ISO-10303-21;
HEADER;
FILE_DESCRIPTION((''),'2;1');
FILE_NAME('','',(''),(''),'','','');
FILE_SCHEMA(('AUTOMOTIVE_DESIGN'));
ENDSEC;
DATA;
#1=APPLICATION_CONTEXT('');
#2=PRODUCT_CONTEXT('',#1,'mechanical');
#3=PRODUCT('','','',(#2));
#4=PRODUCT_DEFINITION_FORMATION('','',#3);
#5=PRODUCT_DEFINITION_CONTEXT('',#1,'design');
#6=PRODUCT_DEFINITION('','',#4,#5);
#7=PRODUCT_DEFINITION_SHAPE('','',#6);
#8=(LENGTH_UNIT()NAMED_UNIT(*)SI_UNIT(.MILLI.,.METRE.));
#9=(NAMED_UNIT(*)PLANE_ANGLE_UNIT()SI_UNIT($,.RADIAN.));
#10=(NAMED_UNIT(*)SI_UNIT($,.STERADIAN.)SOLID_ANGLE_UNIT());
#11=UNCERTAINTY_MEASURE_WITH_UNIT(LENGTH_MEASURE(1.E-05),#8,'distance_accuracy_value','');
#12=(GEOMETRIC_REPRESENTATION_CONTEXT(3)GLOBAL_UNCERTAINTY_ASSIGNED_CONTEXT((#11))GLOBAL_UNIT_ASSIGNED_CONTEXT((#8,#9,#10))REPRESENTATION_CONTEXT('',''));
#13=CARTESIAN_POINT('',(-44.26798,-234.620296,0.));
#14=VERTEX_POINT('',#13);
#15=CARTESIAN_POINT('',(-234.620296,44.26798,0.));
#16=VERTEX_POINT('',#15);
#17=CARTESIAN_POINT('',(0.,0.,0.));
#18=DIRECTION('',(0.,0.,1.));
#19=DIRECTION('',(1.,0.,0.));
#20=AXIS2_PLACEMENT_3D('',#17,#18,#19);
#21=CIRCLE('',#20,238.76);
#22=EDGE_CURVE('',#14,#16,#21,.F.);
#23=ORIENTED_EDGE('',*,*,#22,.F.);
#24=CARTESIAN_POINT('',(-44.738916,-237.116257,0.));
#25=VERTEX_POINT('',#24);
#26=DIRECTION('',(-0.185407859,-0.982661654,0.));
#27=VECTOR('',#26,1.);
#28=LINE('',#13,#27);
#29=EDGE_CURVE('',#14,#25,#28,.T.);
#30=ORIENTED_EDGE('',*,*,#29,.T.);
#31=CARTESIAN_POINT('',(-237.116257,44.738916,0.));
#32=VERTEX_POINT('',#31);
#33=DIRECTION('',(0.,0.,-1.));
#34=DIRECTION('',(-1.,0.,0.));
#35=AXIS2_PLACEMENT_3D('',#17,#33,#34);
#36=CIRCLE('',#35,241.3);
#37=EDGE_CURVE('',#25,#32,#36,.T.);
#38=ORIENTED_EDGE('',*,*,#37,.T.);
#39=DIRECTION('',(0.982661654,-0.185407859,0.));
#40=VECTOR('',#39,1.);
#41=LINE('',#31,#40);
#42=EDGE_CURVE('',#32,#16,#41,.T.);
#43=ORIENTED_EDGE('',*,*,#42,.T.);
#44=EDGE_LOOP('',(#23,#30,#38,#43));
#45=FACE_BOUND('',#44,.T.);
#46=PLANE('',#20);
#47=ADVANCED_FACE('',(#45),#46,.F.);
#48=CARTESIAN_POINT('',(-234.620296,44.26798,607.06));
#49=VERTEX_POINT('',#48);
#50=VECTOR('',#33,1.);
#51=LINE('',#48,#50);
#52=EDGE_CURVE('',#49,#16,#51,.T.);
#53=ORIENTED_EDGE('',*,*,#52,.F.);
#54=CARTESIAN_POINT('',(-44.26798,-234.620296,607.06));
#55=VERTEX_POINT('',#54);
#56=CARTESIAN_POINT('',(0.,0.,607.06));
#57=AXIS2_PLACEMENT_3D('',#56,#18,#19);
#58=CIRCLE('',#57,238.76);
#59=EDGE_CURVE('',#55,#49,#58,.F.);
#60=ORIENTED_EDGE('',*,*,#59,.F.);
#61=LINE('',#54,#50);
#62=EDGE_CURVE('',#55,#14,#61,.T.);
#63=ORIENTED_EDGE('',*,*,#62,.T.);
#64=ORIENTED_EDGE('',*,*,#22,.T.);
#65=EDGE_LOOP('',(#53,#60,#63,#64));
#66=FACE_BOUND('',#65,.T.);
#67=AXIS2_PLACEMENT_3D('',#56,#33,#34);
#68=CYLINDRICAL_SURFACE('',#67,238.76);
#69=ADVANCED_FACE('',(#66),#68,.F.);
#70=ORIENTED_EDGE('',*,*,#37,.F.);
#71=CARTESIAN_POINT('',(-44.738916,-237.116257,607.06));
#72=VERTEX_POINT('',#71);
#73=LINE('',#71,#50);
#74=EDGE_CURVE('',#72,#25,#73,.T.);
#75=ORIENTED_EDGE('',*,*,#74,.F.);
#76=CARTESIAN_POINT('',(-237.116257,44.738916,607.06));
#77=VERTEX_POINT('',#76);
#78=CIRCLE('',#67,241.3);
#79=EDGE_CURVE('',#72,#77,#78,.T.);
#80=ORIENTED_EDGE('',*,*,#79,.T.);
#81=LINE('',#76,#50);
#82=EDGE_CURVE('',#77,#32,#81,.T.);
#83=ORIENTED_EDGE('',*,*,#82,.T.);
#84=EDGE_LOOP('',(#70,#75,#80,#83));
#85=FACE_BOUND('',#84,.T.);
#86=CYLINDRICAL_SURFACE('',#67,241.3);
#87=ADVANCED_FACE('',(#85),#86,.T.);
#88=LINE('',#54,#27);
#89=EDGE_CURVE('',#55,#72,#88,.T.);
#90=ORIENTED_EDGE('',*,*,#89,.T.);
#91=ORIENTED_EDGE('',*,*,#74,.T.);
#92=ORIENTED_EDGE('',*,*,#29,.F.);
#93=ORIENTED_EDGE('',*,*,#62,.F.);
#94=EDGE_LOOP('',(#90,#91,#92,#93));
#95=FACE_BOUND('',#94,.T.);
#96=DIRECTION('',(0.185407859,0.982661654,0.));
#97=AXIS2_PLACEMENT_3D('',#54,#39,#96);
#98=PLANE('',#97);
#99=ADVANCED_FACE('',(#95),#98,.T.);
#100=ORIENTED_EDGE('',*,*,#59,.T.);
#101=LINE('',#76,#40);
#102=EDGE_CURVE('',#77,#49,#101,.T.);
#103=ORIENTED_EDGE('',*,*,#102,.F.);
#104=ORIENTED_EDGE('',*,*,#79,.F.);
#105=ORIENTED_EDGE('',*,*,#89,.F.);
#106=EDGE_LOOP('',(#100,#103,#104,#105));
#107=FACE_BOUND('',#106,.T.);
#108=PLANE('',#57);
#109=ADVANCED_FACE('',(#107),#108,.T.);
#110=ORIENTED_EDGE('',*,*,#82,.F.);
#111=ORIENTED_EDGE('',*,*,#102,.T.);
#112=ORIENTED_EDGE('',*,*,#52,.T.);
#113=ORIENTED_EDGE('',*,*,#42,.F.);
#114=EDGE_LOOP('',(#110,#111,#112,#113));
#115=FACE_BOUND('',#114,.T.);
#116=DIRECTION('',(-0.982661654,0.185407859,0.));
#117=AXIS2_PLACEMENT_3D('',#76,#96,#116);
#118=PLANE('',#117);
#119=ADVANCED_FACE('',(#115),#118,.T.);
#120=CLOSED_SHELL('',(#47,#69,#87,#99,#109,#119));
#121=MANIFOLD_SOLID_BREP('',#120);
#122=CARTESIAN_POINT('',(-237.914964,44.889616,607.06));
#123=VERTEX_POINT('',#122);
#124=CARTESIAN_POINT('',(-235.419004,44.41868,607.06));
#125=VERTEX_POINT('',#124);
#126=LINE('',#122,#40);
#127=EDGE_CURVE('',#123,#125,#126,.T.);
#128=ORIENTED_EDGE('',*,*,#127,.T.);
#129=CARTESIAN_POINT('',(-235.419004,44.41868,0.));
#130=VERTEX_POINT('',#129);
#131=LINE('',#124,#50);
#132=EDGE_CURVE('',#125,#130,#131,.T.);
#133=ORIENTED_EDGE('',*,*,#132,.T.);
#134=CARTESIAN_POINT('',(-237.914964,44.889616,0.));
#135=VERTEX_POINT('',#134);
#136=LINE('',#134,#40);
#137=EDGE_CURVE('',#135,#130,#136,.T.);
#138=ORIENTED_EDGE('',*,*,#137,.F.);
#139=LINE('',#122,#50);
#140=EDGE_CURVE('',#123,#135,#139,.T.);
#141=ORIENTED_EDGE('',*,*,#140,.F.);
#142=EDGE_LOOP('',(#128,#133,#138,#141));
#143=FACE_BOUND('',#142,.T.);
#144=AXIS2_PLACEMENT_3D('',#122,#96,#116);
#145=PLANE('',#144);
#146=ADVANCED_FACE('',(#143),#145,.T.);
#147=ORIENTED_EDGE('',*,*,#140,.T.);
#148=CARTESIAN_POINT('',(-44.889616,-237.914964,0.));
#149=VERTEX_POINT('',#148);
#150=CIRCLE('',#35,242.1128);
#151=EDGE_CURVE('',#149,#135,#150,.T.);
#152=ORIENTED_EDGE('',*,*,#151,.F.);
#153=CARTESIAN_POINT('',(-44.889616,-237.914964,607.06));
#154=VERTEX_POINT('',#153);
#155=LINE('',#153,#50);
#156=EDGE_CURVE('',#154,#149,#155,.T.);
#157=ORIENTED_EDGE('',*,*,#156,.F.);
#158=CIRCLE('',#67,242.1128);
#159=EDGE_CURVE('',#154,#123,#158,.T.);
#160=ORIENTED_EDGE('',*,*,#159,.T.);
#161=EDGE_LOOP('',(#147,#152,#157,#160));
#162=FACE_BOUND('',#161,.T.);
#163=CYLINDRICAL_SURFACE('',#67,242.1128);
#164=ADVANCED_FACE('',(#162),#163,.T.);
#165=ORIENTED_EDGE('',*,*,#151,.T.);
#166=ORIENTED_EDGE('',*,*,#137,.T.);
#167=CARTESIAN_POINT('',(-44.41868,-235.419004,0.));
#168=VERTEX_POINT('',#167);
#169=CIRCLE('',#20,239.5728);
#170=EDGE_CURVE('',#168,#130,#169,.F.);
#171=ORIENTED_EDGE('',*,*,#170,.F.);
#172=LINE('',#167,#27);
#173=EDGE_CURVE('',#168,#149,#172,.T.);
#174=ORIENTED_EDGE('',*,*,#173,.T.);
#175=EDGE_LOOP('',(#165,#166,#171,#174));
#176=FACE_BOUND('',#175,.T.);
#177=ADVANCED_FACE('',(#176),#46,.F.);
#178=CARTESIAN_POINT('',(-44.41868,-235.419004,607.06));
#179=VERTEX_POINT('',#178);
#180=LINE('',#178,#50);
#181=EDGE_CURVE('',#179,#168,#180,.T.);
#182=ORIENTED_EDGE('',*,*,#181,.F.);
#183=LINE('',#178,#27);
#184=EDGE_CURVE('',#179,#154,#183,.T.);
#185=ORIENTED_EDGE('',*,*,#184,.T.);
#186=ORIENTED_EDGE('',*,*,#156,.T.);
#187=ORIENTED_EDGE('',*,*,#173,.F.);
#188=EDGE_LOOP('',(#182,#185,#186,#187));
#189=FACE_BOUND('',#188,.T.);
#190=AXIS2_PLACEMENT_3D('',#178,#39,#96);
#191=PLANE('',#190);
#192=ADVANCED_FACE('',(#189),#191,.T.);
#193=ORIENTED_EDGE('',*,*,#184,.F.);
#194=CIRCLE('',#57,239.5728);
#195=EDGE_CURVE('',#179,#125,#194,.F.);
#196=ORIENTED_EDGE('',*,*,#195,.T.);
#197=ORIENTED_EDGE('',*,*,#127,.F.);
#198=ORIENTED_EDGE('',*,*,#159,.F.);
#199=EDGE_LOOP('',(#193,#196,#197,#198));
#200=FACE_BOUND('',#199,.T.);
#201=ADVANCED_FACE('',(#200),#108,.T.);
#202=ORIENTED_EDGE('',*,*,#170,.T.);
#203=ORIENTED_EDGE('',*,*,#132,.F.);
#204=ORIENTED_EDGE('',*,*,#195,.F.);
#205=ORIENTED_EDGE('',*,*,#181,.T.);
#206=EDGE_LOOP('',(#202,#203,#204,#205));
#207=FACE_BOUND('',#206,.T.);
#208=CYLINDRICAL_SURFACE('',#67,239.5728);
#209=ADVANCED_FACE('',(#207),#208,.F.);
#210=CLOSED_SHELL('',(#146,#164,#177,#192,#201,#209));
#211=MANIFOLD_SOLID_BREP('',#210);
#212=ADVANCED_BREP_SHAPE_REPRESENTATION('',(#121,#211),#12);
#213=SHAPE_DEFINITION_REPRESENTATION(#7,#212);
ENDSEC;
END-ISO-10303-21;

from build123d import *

# Parameters (mm, degrees)
EXTRUDE_THIN1_DEPTH   = 607.06
EXTRUDE_THIN1_2_DEPTH = 607.06


with BuildPart() as part:
    # Sketch1 → Extrude-Thin1 (new body)
    with BuildSketch(Plane.XY):
        with BuildLine():
            ThreePointArc((-44.738916424, -237.11625705), (-199.301704476, -136.031322103), (-237.11625705, 44.738916424))
            Line((-237.11625705, 44.738916424), (-234.620296449, 44.267980462))
            ThreePointArc((-234.620296449, 44.267980462), (-197.203791797, -134.599413449), (-44.267980462, -234.620296449))
            Line((-44.267980462, -234.620296449), (-44.738916424, -237.11625705))
        make_face()
    extrude(amount=EXTRUDE_THIN1_DEPTH)


with BuildPart() as body_2:
    # Sketch1 → Extrude-Thin1 2 (new body)
    with BuildSketch(Plane.XY):
        with BuildLine():
            ThreePointArc((-44.889615932, -237.914964442), (-199.973036533, -136.489532872), (-237.914964442, 44.889615932))
            Line((-237.914964442, 44.889615932), (-235.419003841, 44.41867997))
            ThreePointArc((-235.419003841, 44.41867997), (-197.875123854, -135.057624218), (-44.41867997, -235.419003841))
            Line((-44.41867997, -235.419003841), (-44.889615932, -237.914964442))
        make_face()
    extrude(amount=EXTRUDE_THIN1_2_DEPTH)


solid = Compound([part.part, body_2.part])
